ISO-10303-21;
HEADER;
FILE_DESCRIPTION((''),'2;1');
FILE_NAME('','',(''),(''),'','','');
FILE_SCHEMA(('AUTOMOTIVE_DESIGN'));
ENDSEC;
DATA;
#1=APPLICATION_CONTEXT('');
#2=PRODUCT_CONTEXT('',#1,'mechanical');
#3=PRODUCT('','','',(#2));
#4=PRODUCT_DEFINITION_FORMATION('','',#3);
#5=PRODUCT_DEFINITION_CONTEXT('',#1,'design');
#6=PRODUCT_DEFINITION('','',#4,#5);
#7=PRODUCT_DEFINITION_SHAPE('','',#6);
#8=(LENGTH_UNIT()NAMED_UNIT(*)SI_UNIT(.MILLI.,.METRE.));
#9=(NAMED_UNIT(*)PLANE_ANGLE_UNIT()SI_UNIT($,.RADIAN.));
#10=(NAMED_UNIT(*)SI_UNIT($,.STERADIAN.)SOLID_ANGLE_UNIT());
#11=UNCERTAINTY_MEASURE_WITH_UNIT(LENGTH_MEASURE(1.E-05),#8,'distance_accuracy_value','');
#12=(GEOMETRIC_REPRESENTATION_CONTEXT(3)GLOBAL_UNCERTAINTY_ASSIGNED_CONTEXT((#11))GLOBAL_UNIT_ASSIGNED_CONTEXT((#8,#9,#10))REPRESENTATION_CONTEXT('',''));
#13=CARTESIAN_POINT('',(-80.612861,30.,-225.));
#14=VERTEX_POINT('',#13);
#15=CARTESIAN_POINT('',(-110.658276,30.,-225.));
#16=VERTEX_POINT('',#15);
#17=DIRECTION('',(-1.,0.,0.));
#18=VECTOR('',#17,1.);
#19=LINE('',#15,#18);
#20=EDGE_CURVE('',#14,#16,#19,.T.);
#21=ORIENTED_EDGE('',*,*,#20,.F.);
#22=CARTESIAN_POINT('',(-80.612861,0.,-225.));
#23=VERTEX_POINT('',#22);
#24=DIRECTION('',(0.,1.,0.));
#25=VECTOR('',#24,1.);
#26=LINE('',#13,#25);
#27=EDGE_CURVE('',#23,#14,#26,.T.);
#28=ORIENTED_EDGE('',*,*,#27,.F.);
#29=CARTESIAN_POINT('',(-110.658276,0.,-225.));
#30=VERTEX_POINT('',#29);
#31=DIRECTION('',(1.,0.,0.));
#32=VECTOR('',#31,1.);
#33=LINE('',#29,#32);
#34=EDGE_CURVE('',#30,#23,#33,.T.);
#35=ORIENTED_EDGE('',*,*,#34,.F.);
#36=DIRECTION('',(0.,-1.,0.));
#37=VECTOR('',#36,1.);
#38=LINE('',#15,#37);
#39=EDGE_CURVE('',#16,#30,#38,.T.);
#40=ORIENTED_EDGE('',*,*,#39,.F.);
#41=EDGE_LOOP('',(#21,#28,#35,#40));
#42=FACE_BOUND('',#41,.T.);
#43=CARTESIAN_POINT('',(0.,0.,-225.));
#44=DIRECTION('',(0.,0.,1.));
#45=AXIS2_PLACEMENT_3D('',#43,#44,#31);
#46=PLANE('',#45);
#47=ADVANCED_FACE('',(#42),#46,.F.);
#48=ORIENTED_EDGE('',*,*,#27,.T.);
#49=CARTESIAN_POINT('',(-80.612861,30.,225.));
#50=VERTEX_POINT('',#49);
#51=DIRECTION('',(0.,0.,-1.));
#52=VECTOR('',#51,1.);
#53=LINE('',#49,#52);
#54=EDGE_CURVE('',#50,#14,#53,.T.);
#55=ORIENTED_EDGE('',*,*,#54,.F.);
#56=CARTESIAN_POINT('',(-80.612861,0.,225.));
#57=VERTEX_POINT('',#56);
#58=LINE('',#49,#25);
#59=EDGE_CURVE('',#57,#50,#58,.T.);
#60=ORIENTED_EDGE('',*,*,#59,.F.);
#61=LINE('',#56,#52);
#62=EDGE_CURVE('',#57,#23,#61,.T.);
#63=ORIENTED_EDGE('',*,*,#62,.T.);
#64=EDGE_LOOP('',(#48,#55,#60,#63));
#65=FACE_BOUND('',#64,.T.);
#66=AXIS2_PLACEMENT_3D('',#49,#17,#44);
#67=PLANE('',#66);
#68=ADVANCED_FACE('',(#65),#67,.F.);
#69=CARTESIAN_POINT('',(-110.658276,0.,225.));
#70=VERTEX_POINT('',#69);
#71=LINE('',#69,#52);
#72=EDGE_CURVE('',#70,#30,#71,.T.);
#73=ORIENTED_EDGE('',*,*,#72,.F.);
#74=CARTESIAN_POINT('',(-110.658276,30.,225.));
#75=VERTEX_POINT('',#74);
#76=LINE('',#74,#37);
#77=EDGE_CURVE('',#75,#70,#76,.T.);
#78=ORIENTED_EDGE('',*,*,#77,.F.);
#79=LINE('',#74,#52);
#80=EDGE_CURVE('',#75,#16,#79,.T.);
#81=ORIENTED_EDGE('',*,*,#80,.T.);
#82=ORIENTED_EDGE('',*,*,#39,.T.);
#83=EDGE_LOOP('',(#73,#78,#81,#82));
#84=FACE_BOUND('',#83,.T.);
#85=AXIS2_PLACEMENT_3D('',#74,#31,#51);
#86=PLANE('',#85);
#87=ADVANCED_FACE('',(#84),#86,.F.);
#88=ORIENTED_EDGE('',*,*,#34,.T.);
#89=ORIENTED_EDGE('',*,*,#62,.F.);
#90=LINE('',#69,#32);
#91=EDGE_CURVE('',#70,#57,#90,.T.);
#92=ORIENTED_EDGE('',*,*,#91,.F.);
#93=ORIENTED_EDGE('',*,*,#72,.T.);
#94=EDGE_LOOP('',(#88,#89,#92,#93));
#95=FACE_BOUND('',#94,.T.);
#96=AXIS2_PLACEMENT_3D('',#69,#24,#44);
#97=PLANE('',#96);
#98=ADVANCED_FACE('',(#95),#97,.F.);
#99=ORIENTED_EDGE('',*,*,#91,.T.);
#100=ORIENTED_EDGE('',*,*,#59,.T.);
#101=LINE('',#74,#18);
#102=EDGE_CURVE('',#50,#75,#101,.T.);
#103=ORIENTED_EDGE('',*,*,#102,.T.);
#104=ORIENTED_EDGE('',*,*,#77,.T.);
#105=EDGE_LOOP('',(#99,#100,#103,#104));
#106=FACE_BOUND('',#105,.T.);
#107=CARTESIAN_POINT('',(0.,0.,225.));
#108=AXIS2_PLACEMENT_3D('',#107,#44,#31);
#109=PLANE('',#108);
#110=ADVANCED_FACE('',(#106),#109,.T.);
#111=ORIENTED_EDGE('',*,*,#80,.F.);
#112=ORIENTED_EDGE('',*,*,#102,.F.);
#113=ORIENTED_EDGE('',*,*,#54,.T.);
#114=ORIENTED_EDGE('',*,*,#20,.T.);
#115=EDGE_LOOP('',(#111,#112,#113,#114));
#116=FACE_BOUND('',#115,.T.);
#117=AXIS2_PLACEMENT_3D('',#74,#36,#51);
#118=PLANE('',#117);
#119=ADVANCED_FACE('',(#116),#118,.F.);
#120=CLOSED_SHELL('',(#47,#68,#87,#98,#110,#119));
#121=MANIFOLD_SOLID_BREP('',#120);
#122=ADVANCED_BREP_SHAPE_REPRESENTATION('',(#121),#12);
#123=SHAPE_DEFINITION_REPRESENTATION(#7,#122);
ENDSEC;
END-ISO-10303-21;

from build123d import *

# Parameters (mm, degrees)
ESBO_O2_W                = 30.045415171
ESBO_O2_H                = 30
RESSALTO_EXTRUS_O1_DEPTH = 225


with BuildPart() as part:
    # Esboço2 → Ressalto-extrusão1 (new body, symmetric)
    with BuildSketch(Plane.XY):
        with Locations((-95.635568537, 15)):
            Rectangle(ESBO_O2_W, ESBO_O2_H)
    extrude(amount=RESSALTO_EXTRUS_O1_DEPTH, both=True)


solid = part.part
